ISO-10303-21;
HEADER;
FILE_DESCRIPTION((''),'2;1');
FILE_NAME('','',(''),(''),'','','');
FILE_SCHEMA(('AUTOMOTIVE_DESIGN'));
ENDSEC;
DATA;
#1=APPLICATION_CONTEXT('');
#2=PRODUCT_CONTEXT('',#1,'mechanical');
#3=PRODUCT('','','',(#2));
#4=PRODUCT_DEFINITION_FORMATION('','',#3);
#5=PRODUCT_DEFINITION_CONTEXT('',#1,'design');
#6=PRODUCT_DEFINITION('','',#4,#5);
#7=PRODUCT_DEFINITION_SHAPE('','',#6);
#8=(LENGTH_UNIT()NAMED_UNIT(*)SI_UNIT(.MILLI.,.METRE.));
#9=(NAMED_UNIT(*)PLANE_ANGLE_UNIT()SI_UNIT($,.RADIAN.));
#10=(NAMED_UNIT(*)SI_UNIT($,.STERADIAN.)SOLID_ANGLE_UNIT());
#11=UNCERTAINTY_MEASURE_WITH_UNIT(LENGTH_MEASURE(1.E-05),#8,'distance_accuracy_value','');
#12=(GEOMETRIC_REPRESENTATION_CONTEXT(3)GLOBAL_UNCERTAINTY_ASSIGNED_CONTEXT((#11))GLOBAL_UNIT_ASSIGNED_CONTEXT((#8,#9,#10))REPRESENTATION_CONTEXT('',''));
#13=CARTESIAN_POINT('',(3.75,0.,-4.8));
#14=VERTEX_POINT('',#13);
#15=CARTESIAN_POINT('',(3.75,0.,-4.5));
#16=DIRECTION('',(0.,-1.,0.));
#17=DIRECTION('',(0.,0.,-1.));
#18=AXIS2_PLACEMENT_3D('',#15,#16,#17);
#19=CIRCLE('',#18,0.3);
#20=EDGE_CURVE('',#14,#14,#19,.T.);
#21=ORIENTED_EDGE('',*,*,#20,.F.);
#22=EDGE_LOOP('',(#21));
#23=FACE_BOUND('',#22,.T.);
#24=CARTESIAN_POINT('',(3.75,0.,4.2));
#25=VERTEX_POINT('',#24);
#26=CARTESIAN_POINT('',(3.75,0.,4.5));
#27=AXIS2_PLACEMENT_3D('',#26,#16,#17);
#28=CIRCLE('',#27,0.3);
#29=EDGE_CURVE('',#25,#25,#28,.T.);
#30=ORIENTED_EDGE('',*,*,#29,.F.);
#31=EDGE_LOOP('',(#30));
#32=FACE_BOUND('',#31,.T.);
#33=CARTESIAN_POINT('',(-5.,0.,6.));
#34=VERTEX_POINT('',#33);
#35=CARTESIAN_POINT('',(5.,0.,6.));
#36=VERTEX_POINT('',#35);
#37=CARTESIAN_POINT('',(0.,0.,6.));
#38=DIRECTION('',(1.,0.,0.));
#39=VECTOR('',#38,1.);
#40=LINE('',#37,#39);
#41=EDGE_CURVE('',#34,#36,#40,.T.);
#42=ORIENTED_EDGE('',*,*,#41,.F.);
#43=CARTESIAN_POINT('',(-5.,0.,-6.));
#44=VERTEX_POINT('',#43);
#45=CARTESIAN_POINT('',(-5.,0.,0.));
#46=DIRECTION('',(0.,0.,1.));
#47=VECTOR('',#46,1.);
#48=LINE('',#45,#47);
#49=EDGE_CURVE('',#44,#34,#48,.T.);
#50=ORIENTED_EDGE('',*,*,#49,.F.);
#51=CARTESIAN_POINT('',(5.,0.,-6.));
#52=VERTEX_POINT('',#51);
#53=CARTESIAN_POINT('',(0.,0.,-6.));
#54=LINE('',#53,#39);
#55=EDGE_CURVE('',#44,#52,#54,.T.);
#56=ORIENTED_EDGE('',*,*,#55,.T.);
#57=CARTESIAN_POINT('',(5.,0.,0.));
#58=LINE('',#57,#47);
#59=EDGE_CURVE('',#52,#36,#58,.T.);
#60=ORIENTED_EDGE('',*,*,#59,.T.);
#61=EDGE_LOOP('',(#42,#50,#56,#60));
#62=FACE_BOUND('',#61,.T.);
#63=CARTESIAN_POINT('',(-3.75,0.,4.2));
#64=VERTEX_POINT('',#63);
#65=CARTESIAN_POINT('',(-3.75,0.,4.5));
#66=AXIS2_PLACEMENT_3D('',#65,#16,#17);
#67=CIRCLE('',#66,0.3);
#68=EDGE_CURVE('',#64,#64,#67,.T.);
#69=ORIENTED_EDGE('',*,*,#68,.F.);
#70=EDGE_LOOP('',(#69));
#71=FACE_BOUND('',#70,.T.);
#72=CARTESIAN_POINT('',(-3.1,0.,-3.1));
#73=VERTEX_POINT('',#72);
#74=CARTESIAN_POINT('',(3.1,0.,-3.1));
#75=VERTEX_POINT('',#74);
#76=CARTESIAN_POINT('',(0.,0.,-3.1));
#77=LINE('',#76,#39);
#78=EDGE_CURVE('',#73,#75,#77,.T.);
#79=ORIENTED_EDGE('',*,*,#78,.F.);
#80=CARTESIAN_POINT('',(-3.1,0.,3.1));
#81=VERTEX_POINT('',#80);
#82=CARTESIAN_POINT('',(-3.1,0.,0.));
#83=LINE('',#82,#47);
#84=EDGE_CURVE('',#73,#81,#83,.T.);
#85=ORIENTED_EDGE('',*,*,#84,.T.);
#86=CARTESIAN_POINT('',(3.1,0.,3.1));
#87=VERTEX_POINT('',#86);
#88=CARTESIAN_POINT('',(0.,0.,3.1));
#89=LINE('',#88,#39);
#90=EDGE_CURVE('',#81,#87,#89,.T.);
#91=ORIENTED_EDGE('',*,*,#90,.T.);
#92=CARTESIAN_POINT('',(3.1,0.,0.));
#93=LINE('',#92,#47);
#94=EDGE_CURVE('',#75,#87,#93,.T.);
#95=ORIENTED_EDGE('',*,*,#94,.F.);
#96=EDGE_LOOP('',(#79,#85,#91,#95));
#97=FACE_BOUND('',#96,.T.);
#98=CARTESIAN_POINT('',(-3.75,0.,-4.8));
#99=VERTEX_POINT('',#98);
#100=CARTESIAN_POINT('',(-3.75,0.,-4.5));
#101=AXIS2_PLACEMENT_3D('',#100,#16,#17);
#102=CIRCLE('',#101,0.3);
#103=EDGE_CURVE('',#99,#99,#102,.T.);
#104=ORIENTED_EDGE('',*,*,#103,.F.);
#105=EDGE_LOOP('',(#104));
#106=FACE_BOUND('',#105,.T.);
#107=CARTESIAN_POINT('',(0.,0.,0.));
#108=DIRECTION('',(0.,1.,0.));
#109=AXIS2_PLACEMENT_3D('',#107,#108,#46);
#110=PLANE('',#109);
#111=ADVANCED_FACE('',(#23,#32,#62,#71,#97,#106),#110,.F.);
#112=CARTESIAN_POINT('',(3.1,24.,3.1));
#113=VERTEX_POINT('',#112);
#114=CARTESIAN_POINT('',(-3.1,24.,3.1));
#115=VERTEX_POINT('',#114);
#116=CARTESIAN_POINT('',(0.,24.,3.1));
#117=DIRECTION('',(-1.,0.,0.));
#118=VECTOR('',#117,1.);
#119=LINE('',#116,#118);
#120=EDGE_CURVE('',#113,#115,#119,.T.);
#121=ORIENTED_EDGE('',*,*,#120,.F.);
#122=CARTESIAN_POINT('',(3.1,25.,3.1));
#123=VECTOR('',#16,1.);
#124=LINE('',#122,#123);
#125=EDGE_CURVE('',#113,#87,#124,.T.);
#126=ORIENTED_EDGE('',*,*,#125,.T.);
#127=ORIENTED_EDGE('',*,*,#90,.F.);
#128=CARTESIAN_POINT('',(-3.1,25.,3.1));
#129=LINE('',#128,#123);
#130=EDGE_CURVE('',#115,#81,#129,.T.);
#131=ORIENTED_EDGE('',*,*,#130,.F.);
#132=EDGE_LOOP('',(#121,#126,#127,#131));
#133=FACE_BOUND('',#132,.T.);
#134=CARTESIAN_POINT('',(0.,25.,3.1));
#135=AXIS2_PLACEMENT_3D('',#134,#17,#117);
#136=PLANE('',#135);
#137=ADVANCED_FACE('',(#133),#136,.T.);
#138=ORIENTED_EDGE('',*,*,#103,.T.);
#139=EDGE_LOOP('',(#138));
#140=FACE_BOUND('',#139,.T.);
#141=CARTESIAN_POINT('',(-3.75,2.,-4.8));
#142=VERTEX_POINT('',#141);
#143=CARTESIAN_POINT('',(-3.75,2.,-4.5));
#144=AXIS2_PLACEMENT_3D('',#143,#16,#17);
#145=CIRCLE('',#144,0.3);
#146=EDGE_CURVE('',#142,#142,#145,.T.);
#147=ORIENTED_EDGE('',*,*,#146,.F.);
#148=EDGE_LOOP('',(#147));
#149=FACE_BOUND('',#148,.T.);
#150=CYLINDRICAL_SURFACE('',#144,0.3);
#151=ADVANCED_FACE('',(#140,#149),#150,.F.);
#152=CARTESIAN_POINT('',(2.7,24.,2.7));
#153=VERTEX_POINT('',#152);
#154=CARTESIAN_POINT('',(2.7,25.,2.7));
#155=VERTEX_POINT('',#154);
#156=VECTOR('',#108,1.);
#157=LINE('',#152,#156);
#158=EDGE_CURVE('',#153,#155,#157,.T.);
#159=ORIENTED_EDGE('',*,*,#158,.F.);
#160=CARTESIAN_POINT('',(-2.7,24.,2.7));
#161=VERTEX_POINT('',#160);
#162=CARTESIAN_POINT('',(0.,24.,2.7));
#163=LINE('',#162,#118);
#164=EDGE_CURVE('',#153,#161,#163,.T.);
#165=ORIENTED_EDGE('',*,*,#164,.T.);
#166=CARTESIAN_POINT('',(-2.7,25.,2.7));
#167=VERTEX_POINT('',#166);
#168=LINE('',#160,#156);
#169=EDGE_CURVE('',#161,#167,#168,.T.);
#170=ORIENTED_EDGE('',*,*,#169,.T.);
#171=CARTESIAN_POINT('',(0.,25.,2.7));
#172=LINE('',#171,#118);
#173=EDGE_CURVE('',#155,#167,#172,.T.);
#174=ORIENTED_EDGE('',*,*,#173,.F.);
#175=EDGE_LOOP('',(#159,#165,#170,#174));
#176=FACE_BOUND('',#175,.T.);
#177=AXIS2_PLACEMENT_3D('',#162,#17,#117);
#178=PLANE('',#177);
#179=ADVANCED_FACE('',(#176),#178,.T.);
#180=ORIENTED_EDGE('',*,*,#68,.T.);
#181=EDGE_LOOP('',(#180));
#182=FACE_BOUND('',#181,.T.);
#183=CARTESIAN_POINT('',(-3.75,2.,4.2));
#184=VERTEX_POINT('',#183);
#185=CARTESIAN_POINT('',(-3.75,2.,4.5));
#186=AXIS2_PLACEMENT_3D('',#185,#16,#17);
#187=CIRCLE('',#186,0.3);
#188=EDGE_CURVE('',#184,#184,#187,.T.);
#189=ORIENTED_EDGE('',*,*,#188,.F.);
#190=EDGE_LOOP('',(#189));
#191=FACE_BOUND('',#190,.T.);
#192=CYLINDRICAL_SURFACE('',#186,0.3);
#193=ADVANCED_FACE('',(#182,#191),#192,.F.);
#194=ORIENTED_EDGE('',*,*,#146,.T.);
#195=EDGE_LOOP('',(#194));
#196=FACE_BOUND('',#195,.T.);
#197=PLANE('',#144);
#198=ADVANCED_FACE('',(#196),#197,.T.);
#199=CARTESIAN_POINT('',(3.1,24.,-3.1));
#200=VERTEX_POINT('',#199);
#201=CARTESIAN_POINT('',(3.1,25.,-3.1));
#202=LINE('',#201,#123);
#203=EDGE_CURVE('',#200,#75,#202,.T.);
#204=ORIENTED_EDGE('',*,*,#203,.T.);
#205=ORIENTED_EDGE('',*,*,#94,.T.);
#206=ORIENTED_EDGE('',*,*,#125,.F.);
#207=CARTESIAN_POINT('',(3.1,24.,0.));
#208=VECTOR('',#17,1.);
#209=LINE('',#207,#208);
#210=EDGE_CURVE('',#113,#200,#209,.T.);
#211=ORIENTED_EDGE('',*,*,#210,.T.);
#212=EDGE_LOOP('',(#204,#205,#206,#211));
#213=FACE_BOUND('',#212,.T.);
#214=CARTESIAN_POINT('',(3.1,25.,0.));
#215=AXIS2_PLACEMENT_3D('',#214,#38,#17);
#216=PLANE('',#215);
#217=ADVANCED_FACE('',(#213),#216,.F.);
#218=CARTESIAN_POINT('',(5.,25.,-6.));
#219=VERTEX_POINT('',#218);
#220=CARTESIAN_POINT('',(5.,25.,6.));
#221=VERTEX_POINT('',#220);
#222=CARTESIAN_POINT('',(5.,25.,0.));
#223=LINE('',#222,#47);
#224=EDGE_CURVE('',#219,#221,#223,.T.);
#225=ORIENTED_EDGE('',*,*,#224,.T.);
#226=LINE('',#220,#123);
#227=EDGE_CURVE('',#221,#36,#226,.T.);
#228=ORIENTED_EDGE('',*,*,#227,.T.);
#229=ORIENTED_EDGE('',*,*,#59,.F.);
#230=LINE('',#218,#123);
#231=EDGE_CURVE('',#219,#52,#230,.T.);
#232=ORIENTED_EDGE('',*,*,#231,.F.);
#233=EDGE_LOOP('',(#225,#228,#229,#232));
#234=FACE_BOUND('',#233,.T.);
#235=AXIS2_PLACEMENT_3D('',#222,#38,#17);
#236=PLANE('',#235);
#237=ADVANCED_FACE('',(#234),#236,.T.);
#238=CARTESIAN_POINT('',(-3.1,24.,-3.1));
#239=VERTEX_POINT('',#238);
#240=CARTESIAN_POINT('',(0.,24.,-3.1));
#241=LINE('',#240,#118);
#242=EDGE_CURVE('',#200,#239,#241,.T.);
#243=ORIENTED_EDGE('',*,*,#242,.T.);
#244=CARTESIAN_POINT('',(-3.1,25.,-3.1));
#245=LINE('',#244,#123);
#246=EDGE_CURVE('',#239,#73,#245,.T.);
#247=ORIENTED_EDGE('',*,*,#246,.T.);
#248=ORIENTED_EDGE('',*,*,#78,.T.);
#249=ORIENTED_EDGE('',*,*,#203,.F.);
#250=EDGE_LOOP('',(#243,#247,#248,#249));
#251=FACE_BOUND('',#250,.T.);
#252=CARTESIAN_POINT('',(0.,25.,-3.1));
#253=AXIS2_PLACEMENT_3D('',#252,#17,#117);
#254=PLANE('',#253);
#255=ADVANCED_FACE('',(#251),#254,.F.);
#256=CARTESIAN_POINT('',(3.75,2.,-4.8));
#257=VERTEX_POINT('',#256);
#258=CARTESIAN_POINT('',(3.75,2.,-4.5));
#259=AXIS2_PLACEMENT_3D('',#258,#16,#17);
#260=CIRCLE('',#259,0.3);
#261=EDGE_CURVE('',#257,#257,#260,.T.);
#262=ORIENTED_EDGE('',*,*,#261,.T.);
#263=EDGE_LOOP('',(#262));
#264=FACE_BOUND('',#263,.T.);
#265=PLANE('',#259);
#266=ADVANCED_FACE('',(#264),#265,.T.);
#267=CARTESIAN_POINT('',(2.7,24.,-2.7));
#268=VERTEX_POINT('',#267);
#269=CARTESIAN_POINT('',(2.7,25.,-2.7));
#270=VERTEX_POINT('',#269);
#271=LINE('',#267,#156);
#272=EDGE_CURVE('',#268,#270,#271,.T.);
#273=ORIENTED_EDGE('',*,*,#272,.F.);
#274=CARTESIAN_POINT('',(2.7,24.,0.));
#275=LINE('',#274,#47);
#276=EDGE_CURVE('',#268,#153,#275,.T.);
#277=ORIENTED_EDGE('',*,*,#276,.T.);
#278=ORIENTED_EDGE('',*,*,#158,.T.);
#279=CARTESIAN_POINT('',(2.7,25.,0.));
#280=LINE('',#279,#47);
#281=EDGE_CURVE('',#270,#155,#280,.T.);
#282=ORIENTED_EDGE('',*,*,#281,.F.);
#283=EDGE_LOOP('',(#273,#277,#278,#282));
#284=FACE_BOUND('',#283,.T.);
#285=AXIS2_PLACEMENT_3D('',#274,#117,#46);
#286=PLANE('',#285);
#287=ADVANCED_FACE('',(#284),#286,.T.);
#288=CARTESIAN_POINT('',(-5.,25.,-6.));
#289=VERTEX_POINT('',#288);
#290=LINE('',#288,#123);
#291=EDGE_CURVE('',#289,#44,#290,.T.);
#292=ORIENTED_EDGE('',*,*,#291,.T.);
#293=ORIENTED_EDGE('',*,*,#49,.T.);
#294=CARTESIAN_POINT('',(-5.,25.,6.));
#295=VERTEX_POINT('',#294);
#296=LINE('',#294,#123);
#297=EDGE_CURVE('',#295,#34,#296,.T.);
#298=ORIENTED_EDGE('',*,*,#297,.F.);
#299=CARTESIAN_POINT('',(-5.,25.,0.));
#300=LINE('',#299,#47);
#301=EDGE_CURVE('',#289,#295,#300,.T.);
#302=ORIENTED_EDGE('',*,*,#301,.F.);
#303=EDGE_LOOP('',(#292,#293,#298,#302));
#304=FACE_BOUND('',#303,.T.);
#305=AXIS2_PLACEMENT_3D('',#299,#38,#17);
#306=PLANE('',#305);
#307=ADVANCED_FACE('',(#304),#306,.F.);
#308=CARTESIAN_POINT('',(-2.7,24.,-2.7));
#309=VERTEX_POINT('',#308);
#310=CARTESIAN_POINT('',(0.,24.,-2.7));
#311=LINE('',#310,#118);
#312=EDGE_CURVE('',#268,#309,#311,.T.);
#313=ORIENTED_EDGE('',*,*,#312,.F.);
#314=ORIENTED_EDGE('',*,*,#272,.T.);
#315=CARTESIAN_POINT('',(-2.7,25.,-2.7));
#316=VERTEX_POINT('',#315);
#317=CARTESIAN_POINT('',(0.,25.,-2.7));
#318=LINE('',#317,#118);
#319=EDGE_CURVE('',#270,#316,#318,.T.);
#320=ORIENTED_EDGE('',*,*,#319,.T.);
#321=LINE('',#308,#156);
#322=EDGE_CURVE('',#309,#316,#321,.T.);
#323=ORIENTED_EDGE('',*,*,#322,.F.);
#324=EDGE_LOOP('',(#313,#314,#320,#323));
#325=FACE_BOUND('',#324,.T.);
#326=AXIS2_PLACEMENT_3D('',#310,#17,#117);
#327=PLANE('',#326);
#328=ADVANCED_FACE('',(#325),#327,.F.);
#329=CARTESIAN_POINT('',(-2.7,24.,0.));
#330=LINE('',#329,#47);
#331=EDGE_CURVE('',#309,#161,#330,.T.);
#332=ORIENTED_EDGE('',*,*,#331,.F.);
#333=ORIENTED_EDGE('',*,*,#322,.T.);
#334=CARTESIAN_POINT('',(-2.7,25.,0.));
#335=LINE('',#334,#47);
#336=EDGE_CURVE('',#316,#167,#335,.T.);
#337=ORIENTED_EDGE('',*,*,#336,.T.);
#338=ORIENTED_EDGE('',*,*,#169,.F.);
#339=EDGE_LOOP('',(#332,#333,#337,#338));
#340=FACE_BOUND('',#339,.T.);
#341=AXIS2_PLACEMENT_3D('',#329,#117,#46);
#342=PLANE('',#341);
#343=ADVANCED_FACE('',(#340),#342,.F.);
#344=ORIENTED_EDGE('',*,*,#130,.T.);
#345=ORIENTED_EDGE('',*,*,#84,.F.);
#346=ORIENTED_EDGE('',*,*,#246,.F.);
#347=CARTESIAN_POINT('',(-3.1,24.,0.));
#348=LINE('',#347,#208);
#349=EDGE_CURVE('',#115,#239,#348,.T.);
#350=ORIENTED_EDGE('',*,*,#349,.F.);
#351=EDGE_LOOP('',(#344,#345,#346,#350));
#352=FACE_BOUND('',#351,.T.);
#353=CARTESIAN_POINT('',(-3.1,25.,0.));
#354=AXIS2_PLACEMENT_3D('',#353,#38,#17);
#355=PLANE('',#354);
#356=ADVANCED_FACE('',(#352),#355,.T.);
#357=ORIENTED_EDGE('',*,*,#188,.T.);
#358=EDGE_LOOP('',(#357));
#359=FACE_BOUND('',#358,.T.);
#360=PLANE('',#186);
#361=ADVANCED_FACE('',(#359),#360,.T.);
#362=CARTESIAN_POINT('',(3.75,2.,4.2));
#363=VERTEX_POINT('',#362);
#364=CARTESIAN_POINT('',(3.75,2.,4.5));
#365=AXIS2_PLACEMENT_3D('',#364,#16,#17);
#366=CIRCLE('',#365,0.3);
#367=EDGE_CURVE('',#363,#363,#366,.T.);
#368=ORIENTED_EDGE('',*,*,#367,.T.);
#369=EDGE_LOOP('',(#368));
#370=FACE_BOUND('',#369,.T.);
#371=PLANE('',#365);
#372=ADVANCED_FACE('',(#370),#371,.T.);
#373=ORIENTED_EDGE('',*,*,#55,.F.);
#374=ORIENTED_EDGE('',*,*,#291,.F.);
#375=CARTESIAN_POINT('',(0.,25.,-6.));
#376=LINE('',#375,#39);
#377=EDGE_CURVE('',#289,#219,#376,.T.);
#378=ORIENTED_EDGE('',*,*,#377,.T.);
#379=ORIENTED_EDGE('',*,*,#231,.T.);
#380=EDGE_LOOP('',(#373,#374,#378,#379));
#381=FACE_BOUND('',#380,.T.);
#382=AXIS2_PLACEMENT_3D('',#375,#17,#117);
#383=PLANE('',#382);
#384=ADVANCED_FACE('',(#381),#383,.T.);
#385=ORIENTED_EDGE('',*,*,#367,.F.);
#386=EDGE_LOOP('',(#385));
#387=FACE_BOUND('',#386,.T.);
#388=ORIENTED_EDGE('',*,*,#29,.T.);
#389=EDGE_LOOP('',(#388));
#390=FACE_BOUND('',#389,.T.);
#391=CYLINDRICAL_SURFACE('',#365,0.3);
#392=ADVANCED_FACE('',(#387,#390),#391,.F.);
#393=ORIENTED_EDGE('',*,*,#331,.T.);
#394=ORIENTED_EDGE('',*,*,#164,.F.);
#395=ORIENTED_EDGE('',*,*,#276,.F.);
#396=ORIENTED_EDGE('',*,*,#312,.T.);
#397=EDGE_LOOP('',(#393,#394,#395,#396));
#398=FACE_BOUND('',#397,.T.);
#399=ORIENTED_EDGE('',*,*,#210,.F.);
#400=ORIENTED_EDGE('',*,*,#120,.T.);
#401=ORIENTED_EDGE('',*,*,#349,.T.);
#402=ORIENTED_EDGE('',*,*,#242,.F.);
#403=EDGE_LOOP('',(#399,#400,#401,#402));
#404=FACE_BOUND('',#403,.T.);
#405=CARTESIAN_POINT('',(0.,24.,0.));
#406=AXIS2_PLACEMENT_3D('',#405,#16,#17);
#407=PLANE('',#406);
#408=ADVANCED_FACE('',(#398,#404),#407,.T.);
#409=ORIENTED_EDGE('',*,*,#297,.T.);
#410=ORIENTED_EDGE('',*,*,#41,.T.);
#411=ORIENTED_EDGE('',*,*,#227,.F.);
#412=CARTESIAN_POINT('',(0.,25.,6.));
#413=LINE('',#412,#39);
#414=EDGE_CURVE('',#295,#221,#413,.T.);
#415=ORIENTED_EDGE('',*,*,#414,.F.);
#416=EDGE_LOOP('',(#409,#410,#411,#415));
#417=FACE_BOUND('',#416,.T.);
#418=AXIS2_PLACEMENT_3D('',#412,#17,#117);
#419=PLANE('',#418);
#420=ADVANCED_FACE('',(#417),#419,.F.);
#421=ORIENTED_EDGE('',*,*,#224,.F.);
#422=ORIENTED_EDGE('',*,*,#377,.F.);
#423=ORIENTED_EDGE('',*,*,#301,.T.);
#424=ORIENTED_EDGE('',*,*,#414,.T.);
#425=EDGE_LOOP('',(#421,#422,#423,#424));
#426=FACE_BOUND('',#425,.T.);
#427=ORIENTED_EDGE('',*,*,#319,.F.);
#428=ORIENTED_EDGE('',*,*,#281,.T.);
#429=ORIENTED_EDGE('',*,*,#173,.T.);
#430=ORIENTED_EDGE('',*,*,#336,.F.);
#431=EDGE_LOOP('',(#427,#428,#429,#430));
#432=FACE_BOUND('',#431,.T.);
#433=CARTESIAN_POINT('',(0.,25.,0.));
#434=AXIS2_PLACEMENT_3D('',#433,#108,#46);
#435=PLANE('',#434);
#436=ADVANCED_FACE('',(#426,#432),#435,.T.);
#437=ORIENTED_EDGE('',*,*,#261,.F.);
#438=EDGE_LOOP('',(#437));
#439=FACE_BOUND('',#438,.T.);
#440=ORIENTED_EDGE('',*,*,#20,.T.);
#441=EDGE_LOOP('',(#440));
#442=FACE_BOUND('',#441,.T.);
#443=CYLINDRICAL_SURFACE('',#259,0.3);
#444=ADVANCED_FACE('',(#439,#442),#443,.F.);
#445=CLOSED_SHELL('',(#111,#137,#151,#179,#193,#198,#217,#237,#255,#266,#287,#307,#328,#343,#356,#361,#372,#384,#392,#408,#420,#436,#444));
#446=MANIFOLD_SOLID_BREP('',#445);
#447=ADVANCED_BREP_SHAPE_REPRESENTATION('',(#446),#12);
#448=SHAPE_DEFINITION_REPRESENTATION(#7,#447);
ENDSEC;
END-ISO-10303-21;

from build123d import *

# Parameters (mm, degrees)
SKETCH_1_W          = 10
SKETCH_1_H          = 12
SKETCH_1_W_2        = 6.2
SKETCH_1_H_2        = 6.2
EXTRUDE_1_DEPTH     = 25
EXTRUDE_START       = 25
SKETCH_1_3_W        = 10
SKETCH_1_3_H        = 12
SKETCH_1_3_W_2      = 6.2
SKETCH_1_3_H_2      = 6.2
SKETCH_1_3_W_3      = 5.4
SKETCH_1_3_H_3      = 5.4
EXTRUDE_2_DEPTH     = 1
SKETCH_2_R          = 0.3
CUT_EXTRUDE_1_DEPTH = 2


with BuildPart() as part:
    # 草图1 → 凸台-拉伸1 (new body)
    with BuildSketch(Plane(origin=(0, 0, 0), x_dir=(1, 0, 0), z_dir=(0, 1, 0))):
        Rectangle(SKETCH_1_W, SKETCH_1_H)
        Rectangle(SKETCH_1_W_2, SKETCH_1_H_2, mode=Mode.SUBTRACT)
    extrude(amount=EXTRUDE_1_DEPTH)

    # 草图1<3> → 凸台-拉伸2 (add)
    # profile 1 of 2: a face of its own
    with BuildSketch(Plane(origin=(0, 0, 0), x_dir=(1, 0, 0), z_dir=(0, 1, 0)).offset(EXTRUDE_START)):
        Rectangle(SKETCH_1_3_W, SKETCH_1_3_H)
        Rectangle(SKETCH_1_3_W_2, SKETCH_1_3_H_2, mode=Mode.SUBTRACT)
    # profile 2 of 2: a face of its own
    with BuildSketch(Plane(origin=(0, 0, 0), x_dir=(1, 0, 0), z_dir=(0, 1, 0)).offset(EXTRUDE_START)):
        Rectangle(SKETCH_1_3_W_2, SKETCH_1_3_H_2)
        Rectangle(SKETCH_1_3_W_3, SKETCH_1_3_H_3, mode=Mode.SUBTRACT)
    extrude(amount=-EXTRUDE_2_DEPTH)

    # 草图2 → 切除-拉伸1 (cut)
    with BuildSketch(Plane.XZ):
        with Locations(Location((-3.75, 4.5, 0), (0, 0, 270))):
            Circle(SKETCH_2_R)
        with Locations(Location((3.75, -4.5, 0), (0, 0, 270))):
            Circle(SKETCH_2_R)
        with Locations(Location((3.75, 4.5, 0), (0, 0, 270))):
            Circle(SKETCH_2_R)
        with Locations(Location((-3.75, -4.5, 0), (0, 0, 270))):
            Circle(SKETCH_2_R)
    extrude(amount=-CUT_EXTRUDE_1_DEPTH, mode=Mode.SUBTRACT)


solid = part.part
